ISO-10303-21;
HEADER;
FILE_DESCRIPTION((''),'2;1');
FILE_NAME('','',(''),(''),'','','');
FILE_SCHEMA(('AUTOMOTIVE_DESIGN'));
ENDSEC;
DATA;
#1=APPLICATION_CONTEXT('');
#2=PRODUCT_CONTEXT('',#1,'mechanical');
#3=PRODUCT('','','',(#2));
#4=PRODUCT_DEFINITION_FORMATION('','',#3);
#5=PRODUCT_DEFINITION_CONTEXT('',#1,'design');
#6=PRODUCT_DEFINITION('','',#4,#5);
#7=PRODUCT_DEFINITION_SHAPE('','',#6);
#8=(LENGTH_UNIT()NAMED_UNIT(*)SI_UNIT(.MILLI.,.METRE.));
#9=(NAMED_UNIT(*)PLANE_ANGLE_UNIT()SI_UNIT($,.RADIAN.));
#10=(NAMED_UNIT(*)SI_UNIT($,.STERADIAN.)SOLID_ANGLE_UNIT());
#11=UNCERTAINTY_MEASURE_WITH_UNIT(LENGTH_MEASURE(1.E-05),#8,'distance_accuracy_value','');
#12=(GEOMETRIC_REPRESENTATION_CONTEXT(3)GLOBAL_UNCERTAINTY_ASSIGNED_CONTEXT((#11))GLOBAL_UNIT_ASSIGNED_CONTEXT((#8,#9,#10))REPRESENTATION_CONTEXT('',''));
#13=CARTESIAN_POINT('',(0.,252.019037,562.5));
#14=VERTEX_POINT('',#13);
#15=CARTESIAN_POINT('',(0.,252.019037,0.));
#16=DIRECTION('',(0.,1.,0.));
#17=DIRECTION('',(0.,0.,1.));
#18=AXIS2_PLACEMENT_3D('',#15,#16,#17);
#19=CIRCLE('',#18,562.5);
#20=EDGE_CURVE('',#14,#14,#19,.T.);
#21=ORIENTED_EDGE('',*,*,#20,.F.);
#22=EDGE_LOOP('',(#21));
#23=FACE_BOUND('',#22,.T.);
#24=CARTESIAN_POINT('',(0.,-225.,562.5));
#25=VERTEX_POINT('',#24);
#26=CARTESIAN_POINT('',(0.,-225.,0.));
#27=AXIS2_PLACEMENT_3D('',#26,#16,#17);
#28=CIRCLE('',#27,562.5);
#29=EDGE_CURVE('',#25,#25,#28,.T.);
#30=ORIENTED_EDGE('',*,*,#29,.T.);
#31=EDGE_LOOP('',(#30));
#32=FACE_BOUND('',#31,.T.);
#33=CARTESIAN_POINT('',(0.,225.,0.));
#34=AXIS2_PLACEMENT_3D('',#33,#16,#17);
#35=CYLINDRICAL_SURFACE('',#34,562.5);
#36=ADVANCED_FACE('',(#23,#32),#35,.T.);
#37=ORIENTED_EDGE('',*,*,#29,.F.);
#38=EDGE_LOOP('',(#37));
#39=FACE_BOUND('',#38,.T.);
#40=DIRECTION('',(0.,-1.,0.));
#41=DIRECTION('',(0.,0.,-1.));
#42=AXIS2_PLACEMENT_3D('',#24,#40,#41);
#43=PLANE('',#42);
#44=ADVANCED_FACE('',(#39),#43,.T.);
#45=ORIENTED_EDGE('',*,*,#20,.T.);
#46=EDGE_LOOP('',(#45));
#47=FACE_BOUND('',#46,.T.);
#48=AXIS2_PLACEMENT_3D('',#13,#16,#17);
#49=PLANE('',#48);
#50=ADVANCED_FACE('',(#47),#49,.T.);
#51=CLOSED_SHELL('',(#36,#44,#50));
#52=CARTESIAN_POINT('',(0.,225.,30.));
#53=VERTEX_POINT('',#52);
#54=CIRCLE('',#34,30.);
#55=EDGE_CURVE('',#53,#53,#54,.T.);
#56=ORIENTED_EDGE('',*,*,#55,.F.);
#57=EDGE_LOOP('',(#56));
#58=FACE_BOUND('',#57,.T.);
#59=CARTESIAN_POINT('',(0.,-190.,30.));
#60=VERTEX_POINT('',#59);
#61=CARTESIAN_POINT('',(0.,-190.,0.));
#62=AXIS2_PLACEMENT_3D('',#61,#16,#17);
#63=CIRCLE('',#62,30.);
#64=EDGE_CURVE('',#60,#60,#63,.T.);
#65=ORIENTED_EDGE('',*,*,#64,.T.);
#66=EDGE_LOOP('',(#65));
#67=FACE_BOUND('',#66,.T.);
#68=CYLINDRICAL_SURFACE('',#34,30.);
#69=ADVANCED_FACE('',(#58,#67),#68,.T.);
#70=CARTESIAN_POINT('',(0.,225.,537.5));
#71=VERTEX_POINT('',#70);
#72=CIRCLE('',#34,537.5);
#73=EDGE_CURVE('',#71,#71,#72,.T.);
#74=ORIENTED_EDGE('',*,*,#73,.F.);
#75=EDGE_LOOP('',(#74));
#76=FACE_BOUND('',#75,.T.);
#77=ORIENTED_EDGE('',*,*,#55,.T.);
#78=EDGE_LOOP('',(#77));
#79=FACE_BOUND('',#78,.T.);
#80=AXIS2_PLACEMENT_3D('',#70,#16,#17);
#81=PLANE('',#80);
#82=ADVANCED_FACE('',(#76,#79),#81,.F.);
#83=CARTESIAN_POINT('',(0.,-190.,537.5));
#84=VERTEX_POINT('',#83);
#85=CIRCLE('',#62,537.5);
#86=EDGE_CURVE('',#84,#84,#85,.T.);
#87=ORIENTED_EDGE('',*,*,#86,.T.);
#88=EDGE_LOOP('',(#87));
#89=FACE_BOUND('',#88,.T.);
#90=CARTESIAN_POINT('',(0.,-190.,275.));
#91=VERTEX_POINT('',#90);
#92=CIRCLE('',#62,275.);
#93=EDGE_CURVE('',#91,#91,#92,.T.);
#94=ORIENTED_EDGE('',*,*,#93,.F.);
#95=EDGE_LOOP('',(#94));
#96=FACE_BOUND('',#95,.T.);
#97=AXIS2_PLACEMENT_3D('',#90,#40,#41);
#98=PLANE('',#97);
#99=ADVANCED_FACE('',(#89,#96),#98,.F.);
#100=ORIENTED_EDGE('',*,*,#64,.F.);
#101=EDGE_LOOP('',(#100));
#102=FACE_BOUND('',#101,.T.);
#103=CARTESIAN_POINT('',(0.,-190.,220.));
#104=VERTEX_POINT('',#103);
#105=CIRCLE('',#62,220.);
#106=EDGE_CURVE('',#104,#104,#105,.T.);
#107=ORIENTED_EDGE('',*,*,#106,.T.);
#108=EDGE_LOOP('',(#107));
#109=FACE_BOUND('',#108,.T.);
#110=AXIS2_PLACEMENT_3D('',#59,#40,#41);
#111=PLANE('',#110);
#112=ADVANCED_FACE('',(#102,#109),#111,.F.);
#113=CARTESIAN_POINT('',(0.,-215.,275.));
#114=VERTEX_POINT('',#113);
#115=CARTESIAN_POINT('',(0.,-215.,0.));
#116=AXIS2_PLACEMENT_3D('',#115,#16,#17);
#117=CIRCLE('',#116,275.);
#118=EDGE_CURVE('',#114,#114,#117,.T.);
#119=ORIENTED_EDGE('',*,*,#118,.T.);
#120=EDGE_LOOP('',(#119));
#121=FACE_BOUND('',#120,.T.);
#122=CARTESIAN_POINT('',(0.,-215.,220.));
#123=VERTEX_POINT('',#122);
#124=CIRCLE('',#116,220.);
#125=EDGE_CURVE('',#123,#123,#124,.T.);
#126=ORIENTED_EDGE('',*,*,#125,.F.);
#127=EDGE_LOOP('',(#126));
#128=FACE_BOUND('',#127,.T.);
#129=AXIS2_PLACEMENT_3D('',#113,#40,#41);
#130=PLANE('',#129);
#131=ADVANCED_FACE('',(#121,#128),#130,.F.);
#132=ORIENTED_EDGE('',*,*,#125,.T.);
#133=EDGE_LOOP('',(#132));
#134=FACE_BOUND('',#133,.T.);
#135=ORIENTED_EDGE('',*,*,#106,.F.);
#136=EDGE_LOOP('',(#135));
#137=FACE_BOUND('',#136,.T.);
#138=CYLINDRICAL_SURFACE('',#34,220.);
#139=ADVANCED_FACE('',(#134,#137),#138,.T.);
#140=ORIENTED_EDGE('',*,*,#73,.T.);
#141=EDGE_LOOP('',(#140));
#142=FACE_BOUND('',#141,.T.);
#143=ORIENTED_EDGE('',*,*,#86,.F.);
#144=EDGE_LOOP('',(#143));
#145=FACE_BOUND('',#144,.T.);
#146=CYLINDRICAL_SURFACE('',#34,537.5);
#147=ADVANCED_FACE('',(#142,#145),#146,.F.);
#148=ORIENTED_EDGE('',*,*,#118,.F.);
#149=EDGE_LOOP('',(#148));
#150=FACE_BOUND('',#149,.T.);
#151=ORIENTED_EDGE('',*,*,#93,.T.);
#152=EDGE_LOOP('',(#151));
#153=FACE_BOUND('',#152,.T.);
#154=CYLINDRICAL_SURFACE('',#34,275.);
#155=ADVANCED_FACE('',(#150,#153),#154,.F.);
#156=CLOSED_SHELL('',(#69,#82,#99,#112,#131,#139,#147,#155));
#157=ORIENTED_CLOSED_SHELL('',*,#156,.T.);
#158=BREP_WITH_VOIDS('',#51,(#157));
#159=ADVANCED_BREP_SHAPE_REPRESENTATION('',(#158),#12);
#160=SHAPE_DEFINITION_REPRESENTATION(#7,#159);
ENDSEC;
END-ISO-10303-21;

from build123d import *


with BuildPart() as part:
    # Sketch1 → Revolve1 (revolve)
    with BuildSketch(Plane(origin=(0, 0, 0), x_dir=(0, 0, -1), z_dir=(1, 0, 0))):
        Polygon((-562.5, 225), (-562.5, -225), (0, -225), (0, -185), (0, 225), (0, 252.019037432), (-562.5, 252.019037432), align=None)
        Polygon((-30, -190), (-220, -190), (-220, -215), (-275, -215), (-275, -190), (-537.5, -190), (-537.5, 185), (-537.5, 225), (-30, 225), (-30, 185), align=None, mode=Mode.SUBTRACT)
    revolve(axis=Axis((0, 225, 0), (0, -1, 0)))


solid = part.part
